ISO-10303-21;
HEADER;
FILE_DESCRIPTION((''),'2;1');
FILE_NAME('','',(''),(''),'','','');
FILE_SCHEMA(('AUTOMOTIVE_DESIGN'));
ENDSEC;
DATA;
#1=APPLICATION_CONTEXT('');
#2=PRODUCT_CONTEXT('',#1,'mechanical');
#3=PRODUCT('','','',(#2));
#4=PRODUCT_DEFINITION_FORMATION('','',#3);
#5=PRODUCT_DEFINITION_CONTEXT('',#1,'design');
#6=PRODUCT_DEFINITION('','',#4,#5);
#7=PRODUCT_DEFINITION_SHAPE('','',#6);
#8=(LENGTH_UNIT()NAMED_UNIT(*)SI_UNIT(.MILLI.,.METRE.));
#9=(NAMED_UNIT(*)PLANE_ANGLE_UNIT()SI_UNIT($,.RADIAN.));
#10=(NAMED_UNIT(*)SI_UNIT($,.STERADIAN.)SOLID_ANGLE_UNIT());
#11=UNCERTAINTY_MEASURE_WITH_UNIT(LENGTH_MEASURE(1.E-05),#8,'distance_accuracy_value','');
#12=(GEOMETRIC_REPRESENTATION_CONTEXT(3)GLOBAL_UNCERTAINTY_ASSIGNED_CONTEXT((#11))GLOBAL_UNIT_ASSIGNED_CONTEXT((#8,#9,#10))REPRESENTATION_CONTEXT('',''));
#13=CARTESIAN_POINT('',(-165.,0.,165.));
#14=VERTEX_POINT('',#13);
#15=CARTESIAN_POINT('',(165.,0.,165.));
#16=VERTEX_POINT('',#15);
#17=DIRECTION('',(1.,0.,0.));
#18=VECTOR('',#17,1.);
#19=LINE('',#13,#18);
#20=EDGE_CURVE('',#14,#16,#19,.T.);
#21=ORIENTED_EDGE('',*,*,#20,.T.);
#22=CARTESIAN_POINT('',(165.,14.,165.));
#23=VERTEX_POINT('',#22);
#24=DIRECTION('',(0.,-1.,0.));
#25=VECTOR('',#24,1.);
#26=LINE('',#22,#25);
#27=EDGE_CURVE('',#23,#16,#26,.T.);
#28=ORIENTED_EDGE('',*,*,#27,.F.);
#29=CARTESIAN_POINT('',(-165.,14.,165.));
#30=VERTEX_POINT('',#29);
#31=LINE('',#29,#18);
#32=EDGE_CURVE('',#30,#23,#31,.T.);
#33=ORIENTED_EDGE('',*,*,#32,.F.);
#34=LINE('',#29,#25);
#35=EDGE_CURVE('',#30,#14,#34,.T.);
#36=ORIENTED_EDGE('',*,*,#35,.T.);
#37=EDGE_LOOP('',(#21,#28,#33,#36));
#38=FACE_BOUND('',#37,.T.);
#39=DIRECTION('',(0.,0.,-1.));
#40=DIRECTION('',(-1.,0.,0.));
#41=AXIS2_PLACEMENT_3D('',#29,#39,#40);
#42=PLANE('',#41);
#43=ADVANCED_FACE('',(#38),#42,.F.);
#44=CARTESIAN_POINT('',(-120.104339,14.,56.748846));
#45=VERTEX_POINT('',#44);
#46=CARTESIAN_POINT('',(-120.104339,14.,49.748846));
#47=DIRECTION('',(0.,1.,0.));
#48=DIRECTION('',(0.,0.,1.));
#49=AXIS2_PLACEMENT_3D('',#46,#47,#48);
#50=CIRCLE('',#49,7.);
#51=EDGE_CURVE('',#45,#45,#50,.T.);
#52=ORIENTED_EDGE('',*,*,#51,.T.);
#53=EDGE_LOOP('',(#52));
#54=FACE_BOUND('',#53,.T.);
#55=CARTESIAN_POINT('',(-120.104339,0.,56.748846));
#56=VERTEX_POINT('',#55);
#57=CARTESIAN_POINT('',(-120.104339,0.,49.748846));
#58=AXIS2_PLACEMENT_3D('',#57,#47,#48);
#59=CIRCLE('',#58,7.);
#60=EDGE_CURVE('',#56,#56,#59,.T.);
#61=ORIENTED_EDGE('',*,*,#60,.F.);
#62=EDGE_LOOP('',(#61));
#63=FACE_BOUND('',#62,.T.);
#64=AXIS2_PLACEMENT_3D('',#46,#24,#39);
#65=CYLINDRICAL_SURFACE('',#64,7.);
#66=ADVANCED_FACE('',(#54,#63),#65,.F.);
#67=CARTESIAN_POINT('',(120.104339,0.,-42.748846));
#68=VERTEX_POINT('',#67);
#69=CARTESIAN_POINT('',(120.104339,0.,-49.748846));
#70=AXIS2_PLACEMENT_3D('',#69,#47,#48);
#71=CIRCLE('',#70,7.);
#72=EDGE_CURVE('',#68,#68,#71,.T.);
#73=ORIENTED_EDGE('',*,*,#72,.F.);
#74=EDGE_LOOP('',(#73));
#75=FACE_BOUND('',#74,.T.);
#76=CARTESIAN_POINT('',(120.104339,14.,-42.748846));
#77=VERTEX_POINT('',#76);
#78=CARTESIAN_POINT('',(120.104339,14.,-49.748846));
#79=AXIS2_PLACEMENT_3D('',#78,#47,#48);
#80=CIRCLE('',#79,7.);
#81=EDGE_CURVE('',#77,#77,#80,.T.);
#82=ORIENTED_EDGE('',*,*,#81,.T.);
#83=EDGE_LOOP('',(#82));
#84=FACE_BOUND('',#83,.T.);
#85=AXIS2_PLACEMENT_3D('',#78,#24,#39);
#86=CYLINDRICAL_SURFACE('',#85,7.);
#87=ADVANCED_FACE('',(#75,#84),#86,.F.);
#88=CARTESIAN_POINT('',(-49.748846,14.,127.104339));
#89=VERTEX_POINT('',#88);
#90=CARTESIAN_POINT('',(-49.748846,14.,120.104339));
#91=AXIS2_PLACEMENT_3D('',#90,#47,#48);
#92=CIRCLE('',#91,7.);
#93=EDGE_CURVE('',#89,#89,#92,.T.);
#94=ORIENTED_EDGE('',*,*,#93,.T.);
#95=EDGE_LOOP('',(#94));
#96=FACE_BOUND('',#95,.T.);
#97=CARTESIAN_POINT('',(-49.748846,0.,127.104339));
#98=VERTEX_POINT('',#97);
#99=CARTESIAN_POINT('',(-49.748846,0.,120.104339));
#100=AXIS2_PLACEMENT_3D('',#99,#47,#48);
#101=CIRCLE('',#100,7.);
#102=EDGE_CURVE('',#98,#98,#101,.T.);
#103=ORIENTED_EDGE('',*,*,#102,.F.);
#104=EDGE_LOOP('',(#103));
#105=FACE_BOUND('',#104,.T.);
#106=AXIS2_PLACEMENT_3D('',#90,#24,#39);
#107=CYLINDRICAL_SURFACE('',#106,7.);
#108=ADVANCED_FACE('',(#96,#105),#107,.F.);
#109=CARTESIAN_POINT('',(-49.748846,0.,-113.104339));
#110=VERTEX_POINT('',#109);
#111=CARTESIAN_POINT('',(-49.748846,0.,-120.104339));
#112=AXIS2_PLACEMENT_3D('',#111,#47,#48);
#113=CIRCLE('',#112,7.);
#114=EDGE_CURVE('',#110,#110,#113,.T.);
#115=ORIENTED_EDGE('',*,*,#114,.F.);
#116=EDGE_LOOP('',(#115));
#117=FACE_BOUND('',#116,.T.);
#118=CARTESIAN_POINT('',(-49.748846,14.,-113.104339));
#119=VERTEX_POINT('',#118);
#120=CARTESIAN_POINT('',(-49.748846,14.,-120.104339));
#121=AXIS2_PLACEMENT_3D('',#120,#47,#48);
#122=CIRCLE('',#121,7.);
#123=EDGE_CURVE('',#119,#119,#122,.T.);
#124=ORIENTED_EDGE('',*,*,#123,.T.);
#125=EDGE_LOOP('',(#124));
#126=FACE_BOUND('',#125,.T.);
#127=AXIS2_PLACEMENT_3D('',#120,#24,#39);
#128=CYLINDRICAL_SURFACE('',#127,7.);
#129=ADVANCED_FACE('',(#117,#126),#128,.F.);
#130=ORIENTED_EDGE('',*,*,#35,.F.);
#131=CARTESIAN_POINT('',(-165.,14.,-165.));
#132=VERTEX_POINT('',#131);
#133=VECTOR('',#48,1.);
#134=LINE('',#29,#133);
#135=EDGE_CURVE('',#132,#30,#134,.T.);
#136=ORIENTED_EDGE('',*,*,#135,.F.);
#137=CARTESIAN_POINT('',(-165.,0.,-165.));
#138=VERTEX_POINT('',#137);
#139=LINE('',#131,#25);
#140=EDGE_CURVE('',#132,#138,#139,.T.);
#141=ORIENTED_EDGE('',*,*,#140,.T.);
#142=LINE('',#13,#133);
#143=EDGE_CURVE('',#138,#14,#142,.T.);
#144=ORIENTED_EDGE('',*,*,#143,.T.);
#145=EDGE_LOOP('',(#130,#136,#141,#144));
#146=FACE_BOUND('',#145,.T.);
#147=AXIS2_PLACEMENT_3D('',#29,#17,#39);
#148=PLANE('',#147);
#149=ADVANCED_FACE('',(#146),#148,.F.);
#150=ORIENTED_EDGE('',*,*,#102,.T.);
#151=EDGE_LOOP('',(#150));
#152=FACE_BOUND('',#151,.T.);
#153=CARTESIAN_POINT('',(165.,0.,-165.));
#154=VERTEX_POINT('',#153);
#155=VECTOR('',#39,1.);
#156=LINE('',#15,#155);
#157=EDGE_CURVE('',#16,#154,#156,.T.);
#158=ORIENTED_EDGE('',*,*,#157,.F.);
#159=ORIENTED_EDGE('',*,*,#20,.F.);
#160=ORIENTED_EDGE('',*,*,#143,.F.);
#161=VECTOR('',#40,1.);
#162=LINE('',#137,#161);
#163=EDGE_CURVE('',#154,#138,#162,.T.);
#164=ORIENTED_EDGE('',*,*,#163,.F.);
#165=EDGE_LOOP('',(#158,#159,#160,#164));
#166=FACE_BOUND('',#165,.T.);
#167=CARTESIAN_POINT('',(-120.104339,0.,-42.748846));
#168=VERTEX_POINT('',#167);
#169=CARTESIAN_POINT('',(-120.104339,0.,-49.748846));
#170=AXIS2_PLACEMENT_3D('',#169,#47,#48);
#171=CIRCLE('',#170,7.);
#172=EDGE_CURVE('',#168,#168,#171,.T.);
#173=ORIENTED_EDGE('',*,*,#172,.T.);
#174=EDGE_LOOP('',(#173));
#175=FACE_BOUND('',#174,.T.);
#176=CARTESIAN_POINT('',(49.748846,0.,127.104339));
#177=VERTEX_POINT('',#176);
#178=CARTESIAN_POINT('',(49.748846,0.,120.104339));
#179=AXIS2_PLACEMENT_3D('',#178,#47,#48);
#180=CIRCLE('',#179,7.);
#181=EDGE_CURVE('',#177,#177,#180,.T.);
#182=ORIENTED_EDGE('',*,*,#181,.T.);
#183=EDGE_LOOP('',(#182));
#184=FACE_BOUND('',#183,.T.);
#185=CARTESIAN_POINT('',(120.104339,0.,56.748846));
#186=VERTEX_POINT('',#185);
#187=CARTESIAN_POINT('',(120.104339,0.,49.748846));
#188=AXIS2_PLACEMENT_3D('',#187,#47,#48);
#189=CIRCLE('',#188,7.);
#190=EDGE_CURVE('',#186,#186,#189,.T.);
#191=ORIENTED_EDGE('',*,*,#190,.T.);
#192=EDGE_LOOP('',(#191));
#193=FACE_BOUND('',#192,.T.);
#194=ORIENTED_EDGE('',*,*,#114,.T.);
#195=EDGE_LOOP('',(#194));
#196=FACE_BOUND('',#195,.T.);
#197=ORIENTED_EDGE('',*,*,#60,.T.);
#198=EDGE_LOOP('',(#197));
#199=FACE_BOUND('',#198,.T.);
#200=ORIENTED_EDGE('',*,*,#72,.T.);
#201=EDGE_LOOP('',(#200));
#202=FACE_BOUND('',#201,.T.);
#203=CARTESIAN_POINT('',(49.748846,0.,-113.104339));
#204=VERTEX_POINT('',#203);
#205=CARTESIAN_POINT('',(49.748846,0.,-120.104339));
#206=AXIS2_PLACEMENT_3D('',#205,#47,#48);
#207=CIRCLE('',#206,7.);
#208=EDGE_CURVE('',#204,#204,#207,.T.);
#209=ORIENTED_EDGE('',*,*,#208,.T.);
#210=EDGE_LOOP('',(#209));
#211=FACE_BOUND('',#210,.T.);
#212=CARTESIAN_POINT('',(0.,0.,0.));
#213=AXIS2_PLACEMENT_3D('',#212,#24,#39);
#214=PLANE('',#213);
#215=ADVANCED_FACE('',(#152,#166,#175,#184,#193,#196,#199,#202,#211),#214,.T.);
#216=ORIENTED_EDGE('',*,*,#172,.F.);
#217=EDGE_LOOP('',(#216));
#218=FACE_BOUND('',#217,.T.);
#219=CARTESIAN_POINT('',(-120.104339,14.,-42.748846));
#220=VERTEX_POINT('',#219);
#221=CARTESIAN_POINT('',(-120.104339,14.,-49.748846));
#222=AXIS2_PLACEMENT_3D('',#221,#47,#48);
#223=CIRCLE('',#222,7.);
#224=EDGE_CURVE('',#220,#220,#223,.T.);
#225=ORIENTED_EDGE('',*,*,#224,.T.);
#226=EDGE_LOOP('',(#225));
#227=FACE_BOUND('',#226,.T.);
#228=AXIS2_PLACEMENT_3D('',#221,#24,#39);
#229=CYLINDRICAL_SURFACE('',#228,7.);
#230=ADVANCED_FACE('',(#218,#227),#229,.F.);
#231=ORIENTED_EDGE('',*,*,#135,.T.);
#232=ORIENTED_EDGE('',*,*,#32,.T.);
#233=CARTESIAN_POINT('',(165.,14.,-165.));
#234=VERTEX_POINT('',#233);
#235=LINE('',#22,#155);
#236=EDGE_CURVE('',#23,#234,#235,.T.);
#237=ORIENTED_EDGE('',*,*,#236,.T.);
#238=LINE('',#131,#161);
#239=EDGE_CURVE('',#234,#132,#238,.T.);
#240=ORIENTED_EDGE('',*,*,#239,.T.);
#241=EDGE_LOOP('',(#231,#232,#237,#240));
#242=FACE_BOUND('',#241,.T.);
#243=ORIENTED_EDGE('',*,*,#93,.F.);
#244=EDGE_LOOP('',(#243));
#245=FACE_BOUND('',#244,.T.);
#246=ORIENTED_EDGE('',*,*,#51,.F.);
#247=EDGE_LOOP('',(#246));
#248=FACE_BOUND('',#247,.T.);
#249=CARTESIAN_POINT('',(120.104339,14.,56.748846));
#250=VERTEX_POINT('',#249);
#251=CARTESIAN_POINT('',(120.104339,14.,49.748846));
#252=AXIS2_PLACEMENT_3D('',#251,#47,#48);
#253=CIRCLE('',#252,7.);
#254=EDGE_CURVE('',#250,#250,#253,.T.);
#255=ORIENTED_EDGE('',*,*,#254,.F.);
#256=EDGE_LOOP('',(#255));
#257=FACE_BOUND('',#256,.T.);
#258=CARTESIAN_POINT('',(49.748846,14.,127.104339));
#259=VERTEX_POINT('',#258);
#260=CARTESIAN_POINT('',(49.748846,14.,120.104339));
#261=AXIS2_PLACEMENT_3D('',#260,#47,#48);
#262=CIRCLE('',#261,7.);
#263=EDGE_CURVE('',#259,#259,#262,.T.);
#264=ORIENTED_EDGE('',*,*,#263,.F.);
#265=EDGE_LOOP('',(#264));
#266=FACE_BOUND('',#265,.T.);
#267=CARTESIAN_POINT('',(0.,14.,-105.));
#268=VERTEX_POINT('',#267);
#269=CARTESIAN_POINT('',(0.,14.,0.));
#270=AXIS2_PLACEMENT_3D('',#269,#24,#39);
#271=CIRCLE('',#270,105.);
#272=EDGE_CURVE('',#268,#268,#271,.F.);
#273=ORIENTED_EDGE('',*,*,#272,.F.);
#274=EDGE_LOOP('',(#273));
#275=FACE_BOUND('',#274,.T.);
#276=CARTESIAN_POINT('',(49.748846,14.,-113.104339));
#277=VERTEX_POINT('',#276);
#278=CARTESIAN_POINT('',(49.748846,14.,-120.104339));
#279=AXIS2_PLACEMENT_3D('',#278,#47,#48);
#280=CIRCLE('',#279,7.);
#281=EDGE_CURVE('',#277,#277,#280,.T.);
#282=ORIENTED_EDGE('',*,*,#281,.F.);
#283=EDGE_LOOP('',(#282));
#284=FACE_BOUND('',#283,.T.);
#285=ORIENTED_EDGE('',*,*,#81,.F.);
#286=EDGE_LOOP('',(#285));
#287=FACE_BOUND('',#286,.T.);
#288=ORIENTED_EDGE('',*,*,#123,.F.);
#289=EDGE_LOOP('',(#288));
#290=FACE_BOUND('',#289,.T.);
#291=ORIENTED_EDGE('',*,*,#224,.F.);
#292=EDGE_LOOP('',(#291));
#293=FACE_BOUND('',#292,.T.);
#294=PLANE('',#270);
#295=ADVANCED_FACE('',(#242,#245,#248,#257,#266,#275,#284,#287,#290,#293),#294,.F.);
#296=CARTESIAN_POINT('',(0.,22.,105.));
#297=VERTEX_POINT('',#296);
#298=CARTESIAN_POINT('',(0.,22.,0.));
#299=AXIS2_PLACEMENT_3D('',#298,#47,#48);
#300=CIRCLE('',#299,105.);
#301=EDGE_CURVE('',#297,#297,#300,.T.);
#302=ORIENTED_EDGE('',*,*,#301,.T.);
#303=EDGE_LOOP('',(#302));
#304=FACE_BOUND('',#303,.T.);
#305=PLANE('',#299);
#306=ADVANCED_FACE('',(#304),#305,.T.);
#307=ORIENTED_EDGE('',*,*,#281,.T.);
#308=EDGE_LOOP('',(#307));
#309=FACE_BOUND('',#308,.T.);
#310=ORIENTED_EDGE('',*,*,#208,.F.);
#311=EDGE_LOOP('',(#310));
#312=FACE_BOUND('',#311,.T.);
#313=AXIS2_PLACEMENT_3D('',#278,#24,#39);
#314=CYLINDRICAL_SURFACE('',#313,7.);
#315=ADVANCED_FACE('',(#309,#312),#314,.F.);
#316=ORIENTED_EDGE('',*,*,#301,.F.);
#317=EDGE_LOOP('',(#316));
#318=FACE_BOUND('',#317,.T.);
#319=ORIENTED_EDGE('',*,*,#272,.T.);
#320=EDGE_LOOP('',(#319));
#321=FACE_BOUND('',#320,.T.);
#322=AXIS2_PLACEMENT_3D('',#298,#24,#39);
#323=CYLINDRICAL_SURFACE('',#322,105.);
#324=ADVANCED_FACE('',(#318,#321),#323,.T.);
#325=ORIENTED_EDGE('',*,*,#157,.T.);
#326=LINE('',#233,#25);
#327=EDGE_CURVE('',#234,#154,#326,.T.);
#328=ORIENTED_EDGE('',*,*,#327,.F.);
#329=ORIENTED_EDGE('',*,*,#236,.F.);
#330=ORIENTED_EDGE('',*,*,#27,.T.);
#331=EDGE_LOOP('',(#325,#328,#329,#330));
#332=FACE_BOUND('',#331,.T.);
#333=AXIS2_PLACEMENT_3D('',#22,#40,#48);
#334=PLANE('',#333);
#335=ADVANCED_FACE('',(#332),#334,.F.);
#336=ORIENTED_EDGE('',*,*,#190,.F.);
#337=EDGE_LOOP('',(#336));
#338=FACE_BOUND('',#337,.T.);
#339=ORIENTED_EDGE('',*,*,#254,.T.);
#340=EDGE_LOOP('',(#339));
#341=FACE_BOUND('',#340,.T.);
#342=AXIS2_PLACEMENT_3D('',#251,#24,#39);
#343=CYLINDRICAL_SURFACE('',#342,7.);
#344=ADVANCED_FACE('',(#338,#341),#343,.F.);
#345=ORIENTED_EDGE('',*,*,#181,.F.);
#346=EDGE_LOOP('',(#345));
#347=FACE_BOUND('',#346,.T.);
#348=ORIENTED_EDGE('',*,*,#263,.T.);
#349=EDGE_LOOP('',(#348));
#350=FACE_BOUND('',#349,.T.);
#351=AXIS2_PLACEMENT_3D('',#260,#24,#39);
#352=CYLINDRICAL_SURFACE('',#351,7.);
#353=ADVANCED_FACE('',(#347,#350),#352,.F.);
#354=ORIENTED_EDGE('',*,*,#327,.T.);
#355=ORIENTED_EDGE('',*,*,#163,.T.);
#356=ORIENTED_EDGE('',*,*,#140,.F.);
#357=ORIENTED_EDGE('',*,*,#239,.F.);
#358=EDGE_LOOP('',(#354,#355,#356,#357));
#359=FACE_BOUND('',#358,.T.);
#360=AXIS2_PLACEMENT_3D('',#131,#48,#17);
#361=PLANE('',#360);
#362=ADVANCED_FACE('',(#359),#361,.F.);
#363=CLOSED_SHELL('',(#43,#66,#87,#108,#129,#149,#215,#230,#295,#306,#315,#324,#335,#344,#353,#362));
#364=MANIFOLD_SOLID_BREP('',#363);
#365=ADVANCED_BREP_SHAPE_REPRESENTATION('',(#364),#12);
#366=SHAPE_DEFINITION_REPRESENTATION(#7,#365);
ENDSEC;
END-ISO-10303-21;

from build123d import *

# Parameters (mm, degrees)
F_01_BASE_PROFILE_W           = 330
F_01_BASE_PROFILE_H           = 330
F_01_BASE_PROFILE_R           = 7
F_01_BASE_PROFILE_R_2         = 5.248628476
F_01_BASE_PROFILE_R_3         = 5.751371524
F_01_BASE_EXTRUDE_DEPTH       = 14
F_02_BOSS_PROFILE_R           = 105
F_02_REINFORCEMENT_BOSS_DEPTH = 22


with BuildPart() as part:
    # 01_Base_Profile → 01_Base_Extrude (new body)
    with BuildSketch(Plane(origin=(0, 0, 0), x_dir=(1, 0, 0), z_dir=(0, 1, 0))):
        Rectangle(F_01_BASE_PROFILE_W, F_01_BASE_PROFILE_H)
        with Locations(Location((120.104339226, 49.748846207, 0), (0, 0, 270))):
            Circle(F_01_BASE_PROFILE_R, mode=Mode.SUBTRACT)
        with Locations(Location((49.748846207, 120.104339226, 0), (0, 0, 270))):
            Circle(F_01_BASE_PROFILE_R, mode=Mode.SUBTRACT)
        with Locations(Location((-49.748846207, 120.104339226, 0), (0, 0, 270))):
            Circle(F_01_BASE_PROFILE_R, mode=Mode.SUBTRACT)
        with Locations(Location((-120.104339226, 49.748846207, 0), (0, 0, 270))):
            Circle(F_01_BASE_PROFILE_R, mode=Mode.SUBTRACT)
        with Locations(Location((-120.104339226, -49.748846207, 0), (0, 0, 270))):
            Circle(F_01_BASE_PROFILE_R, mode=Mode.SUBTRACT)
        with Locations(Location((-49.748846207, -120.104339226, 0), (0, 0, 270))):
            Circle(F_01_BASE_PROFILE_R, mode=Mode.SUBTRACT)
        with Locations(Location((49.748846207, -120.104339226, 0), (0, 0, 270))):
            Circle(F_01_BASE_PROFILE_R, mode=Mode.SUBTRACT)
        with Locations(Location((120.104339226, -49.748846207, 0), (0, 0, 270))):
            Circle(F_01_BASE_PROFILE_R, mode=Mode.SUBTRACT)
        with Locations(Location((49.748846207, 49.748846207, 0), (0, 0, 270))):
            Circle(F_01_BASE_PROFILE_R_2, mode=Mode.SUBTRACT)
        with Locations(Location((-49.748846207, 49.748846207, 0), (0, 0, 270))):
            Circle(F_01_BASE_PROFILE_R_3, mode=Mode.SUBTRACT)
        with Locations(Location((-49.748846207, -49.748846207, 0), (0, 0, 270))):
            Circle(F_01_BASE_PROFILE_R_3, mode=Mode.SUBTRACT)
        with Locations(Location((49.748846207, -49.748846207, 0), (0, 0, 270))):
            Circle(F_01_BASE_PROFILE_R_2, mode=Mode.SUBTRACT)
    extrude(amount=F_01_BASE_EXTRUDE_DEPTH)

    # 02_Boss_Profile → 02_Reinforcement_Boss (add)
    with BuildSketch(Plane(origin=(0, 0, 0), x_dir=(1, 0, 0), z_dir=(0, 1, 0))):
        with Locations(Location((0, 0, 0), (0, 0, 90))):
            Circle(F_02_BOSS_PROFILE_R)
    extrude(amount=F_02_REINFORCEMENT_BOSS_DEPTH)


solid = part.part
